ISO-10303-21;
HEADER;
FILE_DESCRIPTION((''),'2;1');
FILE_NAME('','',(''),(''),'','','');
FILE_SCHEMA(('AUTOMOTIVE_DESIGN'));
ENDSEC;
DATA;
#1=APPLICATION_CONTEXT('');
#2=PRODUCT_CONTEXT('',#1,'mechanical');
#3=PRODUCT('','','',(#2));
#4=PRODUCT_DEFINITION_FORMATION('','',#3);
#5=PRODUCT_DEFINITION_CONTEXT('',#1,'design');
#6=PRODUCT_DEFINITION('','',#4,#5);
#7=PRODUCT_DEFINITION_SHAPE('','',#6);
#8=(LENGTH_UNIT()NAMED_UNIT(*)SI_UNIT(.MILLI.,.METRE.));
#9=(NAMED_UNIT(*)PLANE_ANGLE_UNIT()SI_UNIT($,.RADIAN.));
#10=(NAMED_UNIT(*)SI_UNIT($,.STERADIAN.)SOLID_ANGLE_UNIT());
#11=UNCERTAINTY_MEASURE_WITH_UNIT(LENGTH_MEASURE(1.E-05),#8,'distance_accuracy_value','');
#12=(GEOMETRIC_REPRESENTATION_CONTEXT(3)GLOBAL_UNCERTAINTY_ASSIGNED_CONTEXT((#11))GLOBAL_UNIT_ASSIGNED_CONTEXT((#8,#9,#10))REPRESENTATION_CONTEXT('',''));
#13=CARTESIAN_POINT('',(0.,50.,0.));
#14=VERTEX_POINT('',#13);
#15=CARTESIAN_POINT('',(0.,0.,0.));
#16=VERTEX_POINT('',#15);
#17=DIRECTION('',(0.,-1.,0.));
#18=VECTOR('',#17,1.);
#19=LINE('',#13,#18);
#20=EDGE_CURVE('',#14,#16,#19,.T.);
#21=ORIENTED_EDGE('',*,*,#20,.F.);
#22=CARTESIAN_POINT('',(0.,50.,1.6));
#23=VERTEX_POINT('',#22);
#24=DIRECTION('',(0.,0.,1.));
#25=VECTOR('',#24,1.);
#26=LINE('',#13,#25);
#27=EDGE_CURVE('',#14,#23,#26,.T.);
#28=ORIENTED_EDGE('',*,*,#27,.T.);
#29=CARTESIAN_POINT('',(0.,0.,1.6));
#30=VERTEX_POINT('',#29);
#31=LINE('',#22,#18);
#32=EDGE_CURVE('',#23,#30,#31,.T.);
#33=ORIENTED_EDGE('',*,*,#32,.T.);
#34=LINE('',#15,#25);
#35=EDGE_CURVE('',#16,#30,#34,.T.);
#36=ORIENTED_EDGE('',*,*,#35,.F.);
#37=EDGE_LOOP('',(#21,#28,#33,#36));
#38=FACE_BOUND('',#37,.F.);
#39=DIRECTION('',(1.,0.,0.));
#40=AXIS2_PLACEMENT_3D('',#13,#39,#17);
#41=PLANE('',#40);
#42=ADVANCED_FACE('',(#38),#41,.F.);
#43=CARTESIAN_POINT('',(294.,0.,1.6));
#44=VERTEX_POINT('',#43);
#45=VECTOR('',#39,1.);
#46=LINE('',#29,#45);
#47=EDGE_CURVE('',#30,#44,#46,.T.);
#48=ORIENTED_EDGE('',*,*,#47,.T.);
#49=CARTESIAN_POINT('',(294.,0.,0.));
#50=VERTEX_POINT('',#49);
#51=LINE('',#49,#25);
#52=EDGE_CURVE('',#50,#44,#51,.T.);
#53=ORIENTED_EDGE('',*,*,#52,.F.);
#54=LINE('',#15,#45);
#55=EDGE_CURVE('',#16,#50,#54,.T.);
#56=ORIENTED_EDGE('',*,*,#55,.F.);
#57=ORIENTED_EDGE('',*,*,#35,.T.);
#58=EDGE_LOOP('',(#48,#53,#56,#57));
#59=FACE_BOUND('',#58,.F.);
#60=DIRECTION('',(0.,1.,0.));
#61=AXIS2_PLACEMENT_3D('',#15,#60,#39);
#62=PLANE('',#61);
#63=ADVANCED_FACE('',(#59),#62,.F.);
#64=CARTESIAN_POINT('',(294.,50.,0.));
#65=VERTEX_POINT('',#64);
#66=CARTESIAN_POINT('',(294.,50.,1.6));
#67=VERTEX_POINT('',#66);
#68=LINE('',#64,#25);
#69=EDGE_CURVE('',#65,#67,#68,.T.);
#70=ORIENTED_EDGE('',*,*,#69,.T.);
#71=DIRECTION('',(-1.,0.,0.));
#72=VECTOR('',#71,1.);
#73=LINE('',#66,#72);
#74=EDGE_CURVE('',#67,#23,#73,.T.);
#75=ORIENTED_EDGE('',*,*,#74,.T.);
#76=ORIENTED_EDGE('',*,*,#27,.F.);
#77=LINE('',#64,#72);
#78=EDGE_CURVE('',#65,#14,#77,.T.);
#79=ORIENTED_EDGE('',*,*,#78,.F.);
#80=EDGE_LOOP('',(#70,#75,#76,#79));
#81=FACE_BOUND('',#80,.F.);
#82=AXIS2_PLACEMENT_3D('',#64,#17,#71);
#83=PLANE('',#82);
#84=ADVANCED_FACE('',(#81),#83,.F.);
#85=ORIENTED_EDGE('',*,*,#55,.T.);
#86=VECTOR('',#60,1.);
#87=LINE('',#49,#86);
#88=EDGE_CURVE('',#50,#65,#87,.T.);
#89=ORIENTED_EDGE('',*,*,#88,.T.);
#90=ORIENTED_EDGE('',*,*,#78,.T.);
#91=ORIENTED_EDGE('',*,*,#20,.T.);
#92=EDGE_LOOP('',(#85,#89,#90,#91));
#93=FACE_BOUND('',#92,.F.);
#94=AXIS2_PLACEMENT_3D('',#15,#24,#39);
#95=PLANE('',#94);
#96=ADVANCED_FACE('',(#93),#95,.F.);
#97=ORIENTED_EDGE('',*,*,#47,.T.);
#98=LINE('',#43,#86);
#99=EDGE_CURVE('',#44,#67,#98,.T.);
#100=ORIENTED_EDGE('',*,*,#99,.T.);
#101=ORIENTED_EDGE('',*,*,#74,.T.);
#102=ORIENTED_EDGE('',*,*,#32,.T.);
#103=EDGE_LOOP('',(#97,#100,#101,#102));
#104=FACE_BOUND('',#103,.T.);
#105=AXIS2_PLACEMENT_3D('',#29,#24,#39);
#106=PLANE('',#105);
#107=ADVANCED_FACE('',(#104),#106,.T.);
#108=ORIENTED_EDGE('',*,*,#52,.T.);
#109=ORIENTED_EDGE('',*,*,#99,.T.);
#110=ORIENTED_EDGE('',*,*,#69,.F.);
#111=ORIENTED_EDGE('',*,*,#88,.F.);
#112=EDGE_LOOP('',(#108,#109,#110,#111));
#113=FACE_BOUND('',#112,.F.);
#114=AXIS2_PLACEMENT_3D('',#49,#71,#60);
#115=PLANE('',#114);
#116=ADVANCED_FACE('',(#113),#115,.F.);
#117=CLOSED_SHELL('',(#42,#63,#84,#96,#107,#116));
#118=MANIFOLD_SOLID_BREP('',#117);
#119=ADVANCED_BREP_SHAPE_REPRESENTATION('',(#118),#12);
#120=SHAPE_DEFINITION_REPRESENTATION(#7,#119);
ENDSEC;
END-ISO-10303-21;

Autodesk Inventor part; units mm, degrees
ref_plane "YZ Plane" through (0, 0, 0) normal (1, 0, 0) x (0, 1, 0)
ref_plane "XZ Plane" through (0, 0, 0) normal (0, 1, 0) x (-1, 0, 0)
ref_plane "XY Plane" through (0, 0, 0) normal (0, 0, 1) x (1, 0, 0)
sketch "スケッチ1" plane through (0, 0, 0) normal (0, 0, 1) x (1, 0, 0)
  line L0 (0, 0) -> (294, 0)
  line L1 (294, 0) -> (294, 50)
  line L2 (294, 50) -> (0, 50)
  line L3 (0, 50) -> (0, 0)
  dimension "d0" = 294
  dimension "d1" = 50
extrude "押し出し1" add sketch "スケッチ1" along normal blind 1.6
properties part number "IndiPCB"
